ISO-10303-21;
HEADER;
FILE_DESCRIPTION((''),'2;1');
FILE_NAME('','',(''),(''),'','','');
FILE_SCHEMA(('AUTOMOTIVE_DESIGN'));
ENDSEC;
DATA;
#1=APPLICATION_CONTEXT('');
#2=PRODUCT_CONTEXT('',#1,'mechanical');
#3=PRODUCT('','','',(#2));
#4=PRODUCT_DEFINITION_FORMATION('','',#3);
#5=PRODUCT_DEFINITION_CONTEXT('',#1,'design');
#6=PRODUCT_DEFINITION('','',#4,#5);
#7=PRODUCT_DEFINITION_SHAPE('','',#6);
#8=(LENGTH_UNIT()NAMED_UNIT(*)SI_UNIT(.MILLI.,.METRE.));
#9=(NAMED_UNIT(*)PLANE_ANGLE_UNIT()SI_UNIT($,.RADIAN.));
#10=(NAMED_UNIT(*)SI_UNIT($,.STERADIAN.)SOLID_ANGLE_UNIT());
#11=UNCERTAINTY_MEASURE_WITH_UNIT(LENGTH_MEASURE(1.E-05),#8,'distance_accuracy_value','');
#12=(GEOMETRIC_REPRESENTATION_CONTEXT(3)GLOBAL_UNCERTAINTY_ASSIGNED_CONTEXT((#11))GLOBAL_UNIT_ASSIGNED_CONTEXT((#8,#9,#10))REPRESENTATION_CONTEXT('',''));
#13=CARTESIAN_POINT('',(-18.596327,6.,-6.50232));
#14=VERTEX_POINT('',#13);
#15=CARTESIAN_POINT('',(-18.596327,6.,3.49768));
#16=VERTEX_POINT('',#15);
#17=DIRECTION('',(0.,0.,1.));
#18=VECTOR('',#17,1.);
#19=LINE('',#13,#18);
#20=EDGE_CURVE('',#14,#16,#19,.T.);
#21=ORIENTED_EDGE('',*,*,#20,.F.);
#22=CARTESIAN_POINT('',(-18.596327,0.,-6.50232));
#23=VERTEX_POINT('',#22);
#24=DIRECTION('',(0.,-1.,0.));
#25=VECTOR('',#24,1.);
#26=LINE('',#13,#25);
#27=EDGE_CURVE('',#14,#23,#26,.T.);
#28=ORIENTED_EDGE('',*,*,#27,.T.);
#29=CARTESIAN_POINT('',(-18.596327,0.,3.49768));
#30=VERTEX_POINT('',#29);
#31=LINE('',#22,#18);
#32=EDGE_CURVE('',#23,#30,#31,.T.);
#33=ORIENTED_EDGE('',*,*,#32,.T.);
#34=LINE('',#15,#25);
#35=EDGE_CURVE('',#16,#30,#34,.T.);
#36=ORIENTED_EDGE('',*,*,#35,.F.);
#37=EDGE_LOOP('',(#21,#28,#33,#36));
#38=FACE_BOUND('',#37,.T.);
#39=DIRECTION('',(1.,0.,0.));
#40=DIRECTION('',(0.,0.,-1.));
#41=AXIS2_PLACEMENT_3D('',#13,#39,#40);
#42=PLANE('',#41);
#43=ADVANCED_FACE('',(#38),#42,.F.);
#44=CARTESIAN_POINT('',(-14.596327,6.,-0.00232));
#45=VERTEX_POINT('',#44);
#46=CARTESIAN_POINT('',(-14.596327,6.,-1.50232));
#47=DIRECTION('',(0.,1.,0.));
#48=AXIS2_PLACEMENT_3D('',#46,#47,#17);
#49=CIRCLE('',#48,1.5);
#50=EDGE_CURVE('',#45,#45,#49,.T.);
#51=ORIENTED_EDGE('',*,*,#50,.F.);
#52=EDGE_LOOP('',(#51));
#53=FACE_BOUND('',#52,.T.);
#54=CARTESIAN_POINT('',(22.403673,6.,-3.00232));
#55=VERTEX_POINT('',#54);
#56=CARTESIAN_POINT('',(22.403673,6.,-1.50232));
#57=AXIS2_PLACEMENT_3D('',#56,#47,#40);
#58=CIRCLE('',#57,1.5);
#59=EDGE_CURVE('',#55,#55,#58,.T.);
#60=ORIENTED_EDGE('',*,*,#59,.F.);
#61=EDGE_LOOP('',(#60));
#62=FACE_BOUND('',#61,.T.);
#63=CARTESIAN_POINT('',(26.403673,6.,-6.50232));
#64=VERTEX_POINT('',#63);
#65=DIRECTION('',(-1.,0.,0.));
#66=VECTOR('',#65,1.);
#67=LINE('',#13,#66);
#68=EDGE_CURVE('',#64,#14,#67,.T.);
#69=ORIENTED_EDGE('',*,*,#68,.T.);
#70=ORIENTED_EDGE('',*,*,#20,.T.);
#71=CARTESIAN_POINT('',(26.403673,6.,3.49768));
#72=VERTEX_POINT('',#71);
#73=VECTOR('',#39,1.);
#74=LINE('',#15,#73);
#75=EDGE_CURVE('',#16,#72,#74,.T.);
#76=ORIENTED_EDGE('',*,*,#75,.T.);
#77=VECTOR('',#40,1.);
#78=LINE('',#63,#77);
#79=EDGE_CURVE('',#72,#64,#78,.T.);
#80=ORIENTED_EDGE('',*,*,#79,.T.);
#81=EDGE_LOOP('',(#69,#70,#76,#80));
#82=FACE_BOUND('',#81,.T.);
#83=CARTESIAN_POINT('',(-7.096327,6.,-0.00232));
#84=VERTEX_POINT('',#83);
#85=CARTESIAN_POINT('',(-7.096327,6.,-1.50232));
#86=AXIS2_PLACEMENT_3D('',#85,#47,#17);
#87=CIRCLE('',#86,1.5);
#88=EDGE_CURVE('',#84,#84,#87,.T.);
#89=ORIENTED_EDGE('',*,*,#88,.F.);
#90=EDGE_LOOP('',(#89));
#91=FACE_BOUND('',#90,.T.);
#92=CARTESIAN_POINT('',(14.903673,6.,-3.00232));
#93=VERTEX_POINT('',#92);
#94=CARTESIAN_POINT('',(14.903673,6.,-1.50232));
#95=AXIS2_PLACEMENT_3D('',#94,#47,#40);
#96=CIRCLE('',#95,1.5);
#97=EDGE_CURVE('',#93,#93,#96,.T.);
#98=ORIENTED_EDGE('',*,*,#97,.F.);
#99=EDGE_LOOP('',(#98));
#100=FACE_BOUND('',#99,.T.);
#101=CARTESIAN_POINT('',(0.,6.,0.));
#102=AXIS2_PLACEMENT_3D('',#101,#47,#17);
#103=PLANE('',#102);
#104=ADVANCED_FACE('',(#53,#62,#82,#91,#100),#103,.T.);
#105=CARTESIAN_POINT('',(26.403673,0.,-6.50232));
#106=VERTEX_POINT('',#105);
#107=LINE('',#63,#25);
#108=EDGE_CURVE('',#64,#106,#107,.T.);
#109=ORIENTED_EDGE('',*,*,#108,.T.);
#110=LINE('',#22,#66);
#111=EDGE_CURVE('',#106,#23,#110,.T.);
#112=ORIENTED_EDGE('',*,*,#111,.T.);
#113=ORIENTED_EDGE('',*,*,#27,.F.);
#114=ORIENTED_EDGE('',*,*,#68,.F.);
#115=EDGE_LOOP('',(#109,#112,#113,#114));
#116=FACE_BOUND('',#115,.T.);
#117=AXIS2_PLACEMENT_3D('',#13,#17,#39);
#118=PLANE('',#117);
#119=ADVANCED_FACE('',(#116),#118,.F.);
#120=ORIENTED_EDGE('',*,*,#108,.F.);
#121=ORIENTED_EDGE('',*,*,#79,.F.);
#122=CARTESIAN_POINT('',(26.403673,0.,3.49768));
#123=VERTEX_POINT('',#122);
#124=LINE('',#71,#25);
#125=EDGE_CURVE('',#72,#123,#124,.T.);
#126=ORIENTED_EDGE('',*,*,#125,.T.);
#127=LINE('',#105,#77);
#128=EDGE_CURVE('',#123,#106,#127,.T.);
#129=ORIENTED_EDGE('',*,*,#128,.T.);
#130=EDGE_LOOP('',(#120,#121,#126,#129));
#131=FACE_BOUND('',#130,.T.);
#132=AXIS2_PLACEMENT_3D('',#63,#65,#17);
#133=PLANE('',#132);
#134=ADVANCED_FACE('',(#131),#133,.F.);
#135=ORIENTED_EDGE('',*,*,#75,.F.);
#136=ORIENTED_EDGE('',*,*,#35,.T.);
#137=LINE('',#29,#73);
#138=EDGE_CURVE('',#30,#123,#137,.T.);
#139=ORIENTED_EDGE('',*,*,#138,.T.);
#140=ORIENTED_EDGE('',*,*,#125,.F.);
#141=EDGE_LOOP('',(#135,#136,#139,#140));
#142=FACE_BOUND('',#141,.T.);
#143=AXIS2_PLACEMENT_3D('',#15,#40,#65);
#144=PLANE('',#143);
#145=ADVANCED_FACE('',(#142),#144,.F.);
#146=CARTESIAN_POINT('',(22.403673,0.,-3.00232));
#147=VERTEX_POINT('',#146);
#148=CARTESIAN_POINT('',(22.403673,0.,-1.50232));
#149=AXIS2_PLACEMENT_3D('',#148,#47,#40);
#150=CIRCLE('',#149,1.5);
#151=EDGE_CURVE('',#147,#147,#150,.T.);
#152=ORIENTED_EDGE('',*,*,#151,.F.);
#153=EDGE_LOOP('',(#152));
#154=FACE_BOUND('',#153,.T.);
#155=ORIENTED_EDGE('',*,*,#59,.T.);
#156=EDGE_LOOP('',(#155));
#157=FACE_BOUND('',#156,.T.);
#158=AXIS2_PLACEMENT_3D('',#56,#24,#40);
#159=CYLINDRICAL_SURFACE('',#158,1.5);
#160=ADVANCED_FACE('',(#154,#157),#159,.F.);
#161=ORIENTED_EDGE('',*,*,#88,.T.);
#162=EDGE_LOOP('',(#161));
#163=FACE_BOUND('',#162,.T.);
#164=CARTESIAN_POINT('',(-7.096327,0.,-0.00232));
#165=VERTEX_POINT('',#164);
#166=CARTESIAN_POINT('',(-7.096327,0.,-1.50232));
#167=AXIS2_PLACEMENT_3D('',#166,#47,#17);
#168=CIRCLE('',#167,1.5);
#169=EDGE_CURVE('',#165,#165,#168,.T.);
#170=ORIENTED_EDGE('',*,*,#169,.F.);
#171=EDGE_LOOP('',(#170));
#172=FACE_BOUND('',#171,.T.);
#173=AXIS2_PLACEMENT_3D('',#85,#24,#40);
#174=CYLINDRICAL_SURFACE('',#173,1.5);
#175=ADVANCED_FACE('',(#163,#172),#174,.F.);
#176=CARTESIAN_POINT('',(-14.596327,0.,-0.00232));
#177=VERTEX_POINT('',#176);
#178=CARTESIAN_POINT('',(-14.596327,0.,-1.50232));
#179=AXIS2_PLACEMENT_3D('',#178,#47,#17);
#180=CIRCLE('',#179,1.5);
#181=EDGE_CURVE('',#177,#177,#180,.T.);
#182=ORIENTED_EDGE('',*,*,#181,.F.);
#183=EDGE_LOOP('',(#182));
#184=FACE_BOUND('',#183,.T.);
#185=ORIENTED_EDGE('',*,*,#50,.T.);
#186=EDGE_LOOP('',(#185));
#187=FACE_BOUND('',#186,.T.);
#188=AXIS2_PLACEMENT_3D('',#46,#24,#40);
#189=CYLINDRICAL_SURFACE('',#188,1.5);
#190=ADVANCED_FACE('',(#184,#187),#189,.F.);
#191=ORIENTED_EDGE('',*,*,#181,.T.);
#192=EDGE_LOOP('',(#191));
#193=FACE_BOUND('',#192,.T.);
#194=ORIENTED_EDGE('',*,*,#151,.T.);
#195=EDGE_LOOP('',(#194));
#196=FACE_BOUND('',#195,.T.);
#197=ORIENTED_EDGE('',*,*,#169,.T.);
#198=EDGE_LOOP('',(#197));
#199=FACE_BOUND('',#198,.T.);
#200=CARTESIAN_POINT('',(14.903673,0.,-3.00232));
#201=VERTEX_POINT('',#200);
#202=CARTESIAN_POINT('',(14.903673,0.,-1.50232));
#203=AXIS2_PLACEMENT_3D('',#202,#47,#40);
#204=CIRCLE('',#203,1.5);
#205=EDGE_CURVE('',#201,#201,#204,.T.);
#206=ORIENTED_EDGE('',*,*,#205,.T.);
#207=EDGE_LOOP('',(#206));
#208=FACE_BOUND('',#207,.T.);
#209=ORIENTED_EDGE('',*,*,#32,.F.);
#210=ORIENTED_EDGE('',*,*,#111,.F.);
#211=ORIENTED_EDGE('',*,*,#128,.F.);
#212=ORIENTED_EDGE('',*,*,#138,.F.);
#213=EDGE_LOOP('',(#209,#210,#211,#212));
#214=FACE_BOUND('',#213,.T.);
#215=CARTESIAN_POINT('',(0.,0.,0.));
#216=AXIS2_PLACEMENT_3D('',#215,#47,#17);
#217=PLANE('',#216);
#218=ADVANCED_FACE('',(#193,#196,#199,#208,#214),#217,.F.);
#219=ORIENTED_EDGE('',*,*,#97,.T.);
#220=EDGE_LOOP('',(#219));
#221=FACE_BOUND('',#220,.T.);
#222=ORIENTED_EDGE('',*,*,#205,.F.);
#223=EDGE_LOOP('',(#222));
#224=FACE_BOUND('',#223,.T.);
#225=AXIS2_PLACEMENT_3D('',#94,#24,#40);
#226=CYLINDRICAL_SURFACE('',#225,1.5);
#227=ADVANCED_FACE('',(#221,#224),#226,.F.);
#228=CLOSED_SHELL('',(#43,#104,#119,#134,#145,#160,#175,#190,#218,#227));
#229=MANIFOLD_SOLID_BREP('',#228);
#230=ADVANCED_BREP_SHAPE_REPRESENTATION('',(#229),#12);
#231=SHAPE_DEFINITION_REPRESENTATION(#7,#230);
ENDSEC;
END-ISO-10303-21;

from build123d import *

# Parameters (mm, degrees)
SKETCH1_W           = 45
SKETCH1_H           = 10
SKETCH1_R           = 1.5
BOSS_EXTRUDE1_DEPTH = 6


with BuildPart() as part:
    # Sketch1 → Boss-Extrude1 (new body)
    with BuildSketch(Plane(origin=(0, 0, 0), x_dir=(1, 0, 0), z_dir=(0, 1, 0))):
        with Locations((3.903673105, 1.502320186)):
            Rectangle(SKETCH1_W, SKETCH1_H)
        with Locations(Location((-14.596326895, 1.502320186, 0), (0, 0, 270))):
            Circle(SKETCH1_R, mode=Mode.SUBTRACT)
        with Locations(Location((-7.096326895, 1.502320186, 0), (0, 0, 270))):
            Circle(SKETCH1_R, mode=Mode.SUBTRACT)
        with Locations(Location((22.403673105, 1.502320186, 0), (0, 0, 90))):
            Circle(SKETCH1_R, mode=Mode.SUBTRACT)
        with Locations(Location((14.903673105, 1.502320186, 0), (0, 0, 90))):
            Circle(SKETCH1_R, mode=Mode.SUBTRACT)
    extrude(amount=BOSS_EXTRUDE1_DEPTH)


solid = part.part
